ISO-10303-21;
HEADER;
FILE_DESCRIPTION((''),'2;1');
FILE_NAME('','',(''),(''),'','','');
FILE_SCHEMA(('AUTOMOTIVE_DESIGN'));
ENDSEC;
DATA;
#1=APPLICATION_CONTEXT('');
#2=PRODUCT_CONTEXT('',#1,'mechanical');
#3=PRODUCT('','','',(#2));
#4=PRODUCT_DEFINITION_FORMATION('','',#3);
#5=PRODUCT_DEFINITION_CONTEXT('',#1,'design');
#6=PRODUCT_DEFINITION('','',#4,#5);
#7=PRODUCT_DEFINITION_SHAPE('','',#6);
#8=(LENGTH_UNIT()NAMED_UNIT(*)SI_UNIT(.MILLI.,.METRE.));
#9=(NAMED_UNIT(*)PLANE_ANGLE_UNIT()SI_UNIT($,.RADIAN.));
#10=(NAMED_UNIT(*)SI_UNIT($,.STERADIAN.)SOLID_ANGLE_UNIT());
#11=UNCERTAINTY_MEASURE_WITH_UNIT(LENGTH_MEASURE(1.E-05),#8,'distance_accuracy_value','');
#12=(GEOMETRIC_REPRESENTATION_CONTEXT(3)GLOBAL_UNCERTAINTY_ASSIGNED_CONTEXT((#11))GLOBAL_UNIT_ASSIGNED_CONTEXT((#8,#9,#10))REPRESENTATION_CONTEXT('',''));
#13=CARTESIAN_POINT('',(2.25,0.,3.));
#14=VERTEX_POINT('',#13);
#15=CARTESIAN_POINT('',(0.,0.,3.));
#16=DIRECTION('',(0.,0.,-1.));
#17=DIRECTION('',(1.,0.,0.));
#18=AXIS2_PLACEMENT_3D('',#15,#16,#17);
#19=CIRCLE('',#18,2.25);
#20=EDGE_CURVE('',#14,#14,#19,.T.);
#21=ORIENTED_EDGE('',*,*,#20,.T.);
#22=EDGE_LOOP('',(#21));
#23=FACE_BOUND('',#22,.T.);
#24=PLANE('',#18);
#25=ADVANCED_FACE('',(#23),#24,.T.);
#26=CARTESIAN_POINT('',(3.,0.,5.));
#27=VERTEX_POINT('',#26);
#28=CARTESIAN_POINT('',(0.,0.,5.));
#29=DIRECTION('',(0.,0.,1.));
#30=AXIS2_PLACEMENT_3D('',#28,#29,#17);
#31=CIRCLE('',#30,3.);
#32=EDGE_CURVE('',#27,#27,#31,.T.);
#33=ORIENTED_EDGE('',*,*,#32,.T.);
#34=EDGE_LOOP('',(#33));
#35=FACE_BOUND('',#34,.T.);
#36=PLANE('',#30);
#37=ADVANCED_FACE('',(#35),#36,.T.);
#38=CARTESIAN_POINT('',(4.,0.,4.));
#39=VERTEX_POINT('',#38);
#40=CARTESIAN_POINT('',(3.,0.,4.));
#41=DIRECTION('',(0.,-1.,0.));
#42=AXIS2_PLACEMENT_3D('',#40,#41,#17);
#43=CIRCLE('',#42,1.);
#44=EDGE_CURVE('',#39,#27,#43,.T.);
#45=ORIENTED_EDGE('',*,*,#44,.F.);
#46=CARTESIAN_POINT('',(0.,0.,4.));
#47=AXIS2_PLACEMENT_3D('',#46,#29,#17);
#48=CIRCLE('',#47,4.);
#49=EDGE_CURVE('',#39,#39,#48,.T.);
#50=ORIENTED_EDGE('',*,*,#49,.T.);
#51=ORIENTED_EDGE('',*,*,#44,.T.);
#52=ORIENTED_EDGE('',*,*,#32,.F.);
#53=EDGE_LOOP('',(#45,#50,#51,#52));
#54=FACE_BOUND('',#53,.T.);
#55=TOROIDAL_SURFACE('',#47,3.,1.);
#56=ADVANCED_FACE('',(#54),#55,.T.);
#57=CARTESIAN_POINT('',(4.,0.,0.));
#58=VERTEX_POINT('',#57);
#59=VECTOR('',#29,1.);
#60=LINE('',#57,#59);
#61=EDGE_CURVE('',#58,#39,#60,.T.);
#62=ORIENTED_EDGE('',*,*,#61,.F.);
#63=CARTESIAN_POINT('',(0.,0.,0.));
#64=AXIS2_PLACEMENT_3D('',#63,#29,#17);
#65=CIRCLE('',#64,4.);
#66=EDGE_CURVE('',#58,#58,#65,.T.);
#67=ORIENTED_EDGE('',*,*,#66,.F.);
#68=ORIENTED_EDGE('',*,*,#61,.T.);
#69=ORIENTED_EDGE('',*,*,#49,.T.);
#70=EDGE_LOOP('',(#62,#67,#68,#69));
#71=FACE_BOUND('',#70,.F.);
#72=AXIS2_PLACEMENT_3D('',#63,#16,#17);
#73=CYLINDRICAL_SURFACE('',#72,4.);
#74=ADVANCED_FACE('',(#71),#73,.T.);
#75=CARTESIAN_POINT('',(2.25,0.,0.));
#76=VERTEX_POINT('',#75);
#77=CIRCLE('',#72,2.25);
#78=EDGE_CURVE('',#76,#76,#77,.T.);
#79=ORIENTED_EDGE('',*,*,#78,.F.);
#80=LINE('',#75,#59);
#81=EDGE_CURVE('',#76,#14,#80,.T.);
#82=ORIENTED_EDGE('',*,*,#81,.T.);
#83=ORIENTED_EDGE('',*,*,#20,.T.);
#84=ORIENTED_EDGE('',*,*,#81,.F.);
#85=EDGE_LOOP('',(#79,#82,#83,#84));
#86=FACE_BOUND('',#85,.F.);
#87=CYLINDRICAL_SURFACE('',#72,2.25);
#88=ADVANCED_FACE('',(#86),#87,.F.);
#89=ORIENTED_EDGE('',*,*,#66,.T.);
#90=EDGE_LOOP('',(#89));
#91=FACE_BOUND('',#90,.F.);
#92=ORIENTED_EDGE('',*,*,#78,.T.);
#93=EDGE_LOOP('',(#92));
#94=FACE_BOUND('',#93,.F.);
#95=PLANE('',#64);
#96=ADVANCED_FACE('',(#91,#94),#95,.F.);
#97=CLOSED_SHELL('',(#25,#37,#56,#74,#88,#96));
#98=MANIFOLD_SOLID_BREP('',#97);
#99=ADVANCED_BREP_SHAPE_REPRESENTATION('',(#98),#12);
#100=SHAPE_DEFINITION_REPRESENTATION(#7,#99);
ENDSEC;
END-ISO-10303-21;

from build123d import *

# Parameters (mm, degrees)
F0_R     = 4
F1_DEPTH = 5
F2_R     = 1
F3_R     = 2.25
F4_DEPTH = 3


with BuildPart() as f1:
    # F0 (on Top) → F1 (new body)
    with BuildSketch(Plane.XY):
        Circle(F0_R)
    extrude(amount=F1_DEPTH)

    # F2
    f2_edges = [f1.edges().sort_by_distance(p)[0] for p in [
        (-4, 0, 5),
    ]]
    fillet(f2_edges, radius=F2_R)

    # F3 (on face) → F4 (cut)
    with BuildSketch(Plane(origin=(0, 0, 0), x_dir=(1, 0, 0), z_dir=(0, 0, -1))):
        Circle(F3_R)
    extrude(amount=-F4_DEPTH, mode=Mode.SUBTRACT)


solid = f1.part
